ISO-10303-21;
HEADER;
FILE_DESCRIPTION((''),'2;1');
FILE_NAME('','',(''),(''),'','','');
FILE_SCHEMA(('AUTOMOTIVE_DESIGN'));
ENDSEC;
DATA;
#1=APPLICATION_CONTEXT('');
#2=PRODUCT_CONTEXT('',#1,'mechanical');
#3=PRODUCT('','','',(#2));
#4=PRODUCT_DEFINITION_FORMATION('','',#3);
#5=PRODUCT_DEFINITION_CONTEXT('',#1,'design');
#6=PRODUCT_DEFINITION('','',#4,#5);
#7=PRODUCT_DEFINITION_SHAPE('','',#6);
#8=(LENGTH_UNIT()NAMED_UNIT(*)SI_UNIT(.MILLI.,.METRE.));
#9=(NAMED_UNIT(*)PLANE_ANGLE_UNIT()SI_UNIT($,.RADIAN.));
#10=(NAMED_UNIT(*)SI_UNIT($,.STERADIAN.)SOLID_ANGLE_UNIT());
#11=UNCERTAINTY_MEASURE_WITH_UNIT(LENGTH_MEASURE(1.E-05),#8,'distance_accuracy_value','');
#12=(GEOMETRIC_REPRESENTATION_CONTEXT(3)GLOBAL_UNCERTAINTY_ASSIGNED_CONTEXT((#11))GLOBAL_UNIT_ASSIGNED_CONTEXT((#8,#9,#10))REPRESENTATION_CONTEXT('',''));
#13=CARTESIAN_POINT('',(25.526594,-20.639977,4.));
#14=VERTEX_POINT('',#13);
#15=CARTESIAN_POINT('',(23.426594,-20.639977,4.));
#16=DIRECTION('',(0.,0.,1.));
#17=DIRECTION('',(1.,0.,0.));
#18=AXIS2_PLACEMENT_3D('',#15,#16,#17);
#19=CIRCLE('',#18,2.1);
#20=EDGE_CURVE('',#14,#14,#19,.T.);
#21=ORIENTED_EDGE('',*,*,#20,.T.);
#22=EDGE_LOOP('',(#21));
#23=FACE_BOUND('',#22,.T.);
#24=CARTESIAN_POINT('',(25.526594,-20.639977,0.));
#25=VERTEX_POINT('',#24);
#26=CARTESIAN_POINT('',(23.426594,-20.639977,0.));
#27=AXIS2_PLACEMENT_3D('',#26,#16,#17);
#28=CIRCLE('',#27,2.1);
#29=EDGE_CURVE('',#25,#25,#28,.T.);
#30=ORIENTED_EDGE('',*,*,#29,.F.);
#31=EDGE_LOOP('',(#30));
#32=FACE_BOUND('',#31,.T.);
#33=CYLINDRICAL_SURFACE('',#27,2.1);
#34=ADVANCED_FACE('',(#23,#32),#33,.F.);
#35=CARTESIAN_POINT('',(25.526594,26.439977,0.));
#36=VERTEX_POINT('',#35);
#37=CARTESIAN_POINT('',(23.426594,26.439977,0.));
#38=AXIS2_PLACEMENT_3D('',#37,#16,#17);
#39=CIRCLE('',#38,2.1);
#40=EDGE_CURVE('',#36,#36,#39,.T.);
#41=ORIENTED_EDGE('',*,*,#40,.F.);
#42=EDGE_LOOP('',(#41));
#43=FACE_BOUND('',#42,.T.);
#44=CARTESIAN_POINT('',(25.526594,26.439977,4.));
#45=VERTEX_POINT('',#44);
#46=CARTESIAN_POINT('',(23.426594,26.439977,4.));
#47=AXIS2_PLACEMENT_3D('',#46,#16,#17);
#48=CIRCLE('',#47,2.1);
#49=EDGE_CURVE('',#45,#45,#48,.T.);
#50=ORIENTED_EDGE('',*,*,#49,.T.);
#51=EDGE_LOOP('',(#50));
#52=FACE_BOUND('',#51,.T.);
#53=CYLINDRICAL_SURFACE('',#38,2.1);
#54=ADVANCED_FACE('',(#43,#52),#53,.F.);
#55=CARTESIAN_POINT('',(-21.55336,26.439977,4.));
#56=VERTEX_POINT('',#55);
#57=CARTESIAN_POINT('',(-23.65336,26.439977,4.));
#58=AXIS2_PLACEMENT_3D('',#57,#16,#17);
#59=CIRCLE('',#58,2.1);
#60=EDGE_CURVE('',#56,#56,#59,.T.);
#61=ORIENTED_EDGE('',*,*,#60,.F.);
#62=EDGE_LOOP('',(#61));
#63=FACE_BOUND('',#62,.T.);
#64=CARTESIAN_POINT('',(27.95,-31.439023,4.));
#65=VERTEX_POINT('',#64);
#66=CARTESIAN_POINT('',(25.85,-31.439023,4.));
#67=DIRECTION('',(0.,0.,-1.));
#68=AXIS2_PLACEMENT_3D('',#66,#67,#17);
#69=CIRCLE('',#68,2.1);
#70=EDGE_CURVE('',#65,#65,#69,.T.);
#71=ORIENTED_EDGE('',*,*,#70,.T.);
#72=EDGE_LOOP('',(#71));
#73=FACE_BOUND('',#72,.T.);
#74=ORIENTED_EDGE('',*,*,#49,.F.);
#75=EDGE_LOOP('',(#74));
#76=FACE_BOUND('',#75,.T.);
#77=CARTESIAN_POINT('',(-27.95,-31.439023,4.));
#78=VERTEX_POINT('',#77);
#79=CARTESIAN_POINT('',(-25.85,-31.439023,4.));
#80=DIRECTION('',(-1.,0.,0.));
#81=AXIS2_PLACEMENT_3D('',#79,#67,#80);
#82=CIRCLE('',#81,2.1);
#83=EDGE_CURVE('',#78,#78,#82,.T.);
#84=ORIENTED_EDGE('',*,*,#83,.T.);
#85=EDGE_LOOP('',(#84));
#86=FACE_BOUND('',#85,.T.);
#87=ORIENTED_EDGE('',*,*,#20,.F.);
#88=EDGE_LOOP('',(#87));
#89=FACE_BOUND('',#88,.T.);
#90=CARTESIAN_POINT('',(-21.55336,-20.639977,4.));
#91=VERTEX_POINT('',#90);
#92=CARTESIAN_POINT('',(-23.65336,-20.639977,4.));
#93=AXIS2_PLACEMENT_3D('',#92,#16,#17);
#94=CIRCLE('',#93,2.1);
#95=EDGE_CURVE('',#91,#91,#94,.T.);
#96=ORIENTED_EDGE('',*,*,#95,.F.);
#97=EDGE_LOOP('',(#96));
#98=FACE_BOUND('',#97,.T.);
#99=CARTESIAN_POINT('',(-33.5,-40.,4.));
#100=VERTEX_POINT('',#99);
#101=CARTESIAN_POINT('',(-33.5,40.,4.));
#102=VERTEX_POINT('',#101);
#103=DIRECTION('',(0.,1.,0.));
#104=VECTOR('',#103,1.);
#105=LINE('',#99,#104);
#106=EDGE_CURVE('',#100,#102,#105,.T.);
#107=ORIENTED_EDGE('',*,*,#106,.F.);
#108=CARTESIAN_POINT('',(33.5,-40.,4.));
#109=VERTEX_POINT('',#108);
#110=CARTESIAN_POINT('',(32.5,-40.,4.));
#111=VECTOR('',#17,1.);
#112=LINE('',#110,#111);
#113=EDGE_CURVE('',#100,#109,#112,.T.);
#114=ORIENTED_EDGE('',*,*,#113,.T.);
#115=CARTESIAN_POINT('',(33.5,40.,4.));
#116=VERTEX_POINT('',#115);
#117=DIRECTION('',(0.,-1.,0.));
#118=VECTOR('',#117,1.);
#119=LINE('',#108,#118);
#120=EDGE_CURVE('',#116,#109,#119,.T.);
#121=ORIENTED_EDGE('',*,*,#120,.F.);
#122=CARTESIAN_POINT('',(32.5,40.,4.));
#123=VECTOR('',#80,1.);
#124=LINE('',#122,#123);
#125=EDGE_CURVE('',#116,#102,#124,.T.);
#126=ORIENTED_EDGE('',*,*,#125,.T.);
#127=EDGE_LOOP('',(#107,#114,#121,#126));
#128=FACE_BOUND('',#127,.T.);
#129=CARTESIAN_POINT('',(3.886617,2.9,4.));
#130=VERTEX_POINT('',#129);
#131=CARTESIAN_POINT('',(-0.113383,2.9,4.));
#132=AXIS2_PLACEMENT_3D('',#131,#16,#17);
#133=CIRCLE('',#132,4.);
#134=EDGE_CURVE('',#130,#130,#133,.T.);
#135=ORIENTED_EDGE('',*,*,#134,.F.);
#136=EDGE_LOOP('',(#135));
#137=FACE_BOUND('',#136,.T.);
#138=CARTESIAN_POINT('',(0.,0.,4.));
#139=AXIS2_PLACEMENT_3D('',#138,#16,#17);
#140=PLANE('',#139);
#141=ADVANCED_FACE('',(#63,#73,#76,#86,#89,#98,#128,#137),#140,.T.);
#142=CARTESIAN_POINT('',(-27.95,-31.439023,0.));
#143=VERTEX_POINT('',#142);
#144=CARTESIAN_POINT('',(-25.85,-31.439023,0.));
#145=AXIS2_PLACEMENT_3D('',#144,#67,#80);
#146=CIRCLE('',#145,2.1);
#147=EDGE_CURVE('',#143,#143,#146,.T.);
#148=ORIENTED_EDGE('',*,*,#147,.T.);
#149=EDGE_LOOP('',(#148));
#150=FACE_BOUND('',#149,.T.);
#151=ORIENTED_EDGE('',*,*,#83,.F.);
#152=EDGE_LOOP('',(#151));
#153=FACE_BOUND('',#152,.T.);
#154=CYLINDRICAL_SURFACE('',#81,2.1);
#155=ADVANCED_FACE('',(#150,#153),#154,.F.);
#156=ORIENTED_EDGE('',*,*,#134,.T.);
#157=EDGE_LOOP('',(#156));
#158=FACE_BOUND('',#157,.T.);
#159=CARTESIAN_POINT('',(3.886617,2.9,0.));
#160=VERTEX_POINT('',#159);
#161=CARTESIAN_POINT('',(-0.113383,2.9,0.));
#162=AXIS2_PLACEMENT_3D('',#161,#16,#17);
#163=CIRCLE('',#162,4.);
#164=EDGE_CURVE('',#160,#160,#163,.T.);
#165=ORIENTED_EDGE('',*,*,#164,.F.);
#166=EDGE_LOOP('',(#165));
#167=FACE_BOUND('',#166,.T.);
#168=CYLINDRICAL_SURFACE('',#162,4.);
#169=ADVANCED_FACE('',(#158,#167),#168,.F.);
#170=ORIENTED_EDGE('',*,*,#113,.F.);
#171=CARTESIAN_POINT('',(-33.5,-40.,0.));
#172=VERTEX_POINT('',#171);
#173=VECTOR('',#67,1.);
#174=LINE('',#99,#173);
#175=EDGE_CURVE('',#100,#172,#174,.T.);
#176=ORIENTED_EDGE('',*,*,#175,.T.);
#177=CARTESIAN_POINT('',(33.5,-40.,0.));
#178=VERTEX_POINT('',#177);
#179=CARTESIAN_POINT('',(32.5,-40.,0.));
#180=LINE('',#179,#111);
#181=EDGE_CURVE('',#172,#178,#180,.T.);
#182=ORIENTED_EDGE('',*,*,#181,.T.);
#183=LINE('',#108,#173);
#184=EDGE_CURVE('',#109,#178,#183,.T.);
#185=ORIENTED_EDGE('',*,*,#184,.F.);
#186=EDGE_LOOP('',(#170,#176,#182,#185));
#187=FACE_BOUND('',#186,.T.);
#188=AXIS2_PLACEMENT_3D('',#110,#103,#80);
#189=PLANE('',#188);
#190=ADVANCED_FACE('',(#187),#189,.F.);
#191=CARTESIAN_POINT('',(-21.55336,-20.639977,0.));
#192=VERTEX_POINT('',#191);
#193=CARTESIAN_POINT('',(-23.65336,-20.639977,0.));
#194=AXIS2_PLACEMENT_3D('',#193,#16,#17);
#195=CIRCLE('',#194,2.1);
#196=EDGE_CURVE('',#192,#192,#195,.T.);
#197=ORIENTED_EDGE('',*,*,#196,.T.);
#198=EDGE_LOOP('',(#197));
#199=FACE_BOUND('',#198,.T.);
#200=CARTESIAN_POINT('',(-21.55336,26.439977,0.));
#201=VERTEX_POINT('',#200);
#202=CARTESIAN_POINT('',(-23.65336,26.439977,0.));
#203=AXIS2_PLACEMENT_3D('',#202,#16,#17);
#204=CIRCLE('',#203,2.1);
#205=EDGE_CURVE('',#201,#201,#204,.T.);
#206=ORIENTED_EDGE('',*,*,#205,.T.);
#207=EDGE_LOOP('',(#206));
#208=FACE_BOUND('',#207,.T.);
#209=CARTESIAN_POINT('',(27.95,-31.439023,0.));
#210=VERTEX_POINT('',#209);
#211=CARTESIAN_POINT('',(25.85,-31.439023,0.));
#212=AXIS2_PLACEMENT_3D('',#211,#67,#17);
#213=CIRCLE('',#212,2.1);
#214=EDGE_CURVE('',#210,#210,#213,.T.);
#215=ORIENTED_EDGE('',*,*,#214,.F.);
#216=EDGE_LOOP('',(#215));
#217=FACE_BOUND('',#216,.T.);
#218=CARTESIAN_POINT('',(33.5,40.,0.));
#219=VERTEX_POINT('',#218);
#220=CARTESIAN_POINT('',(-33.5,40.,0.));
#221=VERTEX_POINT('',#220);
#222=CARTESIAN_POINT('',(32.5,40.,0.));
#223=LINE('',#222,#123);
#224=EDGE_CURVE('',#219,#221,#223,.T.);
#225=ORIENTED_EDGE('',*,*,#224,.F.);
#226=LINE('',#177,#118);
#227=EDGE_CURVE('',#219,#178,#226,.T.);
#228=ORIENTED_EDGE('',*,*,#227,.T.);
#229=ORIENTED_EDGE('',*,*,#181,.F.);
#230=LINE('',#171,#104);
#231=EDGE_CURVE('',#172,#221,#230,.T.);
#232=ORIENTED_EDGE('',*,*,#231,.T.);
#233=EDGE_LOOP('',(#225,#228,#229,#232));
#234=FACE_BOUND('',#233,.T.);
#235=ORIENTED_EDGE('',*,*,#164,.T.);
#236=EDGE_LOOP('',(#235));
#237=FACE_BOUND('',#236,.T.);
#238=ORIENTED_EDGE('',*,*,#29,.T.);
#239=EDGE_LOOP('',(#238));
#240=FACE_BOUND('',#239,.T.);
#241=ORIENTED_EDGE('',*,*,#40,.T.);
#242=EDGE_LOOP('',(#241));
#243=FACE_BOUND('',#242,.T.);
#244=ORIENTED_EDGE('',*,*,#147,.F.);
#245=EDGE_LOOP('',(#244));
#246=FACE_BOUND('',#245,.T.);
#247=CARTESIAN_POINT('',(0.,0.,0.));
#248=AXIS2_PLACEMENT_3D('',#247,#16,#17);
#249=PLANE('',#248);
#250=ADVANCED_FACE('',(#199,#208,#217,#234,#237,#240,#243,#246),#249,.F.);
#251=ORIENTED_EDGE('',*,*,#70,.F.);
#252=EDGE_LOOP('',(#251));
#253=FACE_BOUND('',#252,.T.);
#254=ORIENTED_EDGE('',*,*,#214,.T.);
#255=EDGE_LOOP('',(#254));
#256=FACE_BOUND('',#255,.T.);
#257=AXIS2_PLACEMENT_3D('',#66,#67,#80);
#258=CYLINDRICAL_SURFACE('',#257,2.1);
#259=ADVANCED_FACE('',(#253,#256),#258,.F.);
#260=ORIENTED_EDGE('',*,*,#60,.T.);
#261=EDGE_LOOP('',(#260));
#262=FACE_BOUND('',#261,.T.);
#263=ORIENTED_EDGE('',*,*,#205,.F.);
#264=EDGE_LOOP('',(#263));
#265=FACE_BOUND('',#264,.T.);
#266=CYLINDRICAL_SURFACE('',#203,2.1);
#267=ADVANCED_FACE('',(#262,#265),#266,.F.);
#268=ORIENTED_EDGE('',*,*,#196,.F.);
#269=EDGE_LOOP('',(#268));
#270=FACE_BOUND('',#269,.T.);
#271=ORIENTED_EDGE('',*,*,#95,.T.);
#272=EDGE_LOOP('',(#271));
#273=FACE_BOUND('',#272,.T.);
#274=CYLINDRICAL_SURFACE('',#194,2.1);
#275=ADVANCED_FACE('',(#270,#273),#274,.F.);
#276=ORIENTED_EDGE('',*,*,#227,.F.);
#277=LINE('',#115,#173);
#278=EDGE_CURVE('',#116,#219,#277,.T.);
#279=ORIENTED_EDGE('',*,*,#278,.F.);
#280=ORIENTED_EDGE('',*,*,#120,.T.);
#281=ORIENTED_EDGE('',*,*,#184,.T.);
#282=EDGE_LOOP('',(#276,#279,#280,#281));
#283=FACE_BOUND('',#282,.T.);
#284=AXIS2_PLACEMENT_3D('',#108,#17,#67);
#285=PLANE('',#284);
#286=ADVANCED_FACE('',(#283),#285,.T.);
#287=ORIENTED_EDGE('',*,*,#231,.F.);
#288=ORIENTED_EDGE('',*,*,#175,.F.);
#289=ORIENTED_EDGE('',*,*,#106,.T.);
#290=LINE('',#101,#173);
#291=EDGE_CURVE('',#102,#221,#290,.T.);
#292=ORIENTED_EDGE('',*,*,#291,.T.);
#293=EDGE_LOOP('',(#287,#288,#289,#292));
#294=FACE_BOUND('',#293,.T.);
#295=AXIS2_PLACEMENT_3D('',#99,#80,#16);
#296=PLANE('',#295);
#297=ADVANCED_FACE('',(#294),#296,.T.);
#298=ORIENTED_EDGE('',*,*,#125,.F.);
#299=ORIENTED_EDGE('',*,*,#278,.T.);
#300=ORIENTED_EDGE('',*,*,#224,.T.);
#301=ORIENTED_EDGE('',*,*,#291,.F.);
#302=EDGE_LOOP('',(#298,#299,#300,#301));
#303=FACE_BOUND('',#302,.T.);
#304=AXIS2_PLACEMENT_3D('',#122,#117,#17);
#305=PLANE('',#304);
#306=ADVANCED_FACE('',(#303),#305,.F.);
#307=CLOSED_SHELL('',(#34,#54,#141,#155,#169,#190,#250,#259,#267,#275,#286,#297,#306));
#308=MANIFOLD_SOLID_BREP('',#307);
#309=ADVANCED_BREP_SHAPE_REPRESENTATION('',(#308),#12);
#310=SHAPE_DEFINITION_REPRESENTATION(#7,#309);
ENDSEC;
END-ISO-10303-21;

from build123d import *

# Parameters (mm, degrees)
ESQUISSE1_W             = 65
ESQUISSE1_H             = 80
BOSS_EXTRU_1_DEPTH      = 4
ESQUISSE2_R             = 2.1
ENL_V_MAT_EXTRU_1_DEPTH = 52.693810074
ESQUISSE3_R             = 2.1
ESQUISSE3_R_2           = 4
ENL_V_MAT_EXTRU_2_DEPTH = 52.693810074
ESQUISSE4_W             = 1
ESQUISSE4_H             = 80
BOSS_EXTRU_2_DEPTH      = 4


with BuildPart() as part:
    # Esquisse1 → Boss.-Extru.1 (new body)
    with BuildSketch(Plane.XY):
        Rectangle(ESQUISSE1_W, ESQUISSE1_H)
    extrude(amount=BOSS_EXTRU_1_DEPTH)

    # Esquisse2 → Enlèv. mat.-Extru.1 (cut, through all)
    with BuildSketch(Plane(origin=(0, 0, 0), x_dir=(-1, 0, 0), z_dir=(0, 0, -1))):
        with Locations((25.85, -31.43902252)):
            Circle(ESQUISSE2_R)
        with Locations(Location((-25.85, -31.43902252, 0), (0, 0, 180))):
            Circle(ESQUISSE2_R)
    extrude(amount=-ENL_V_MAT_EXTRU_1_DEPTH, mode=Mode.SUBTRACT)

    # Esquisse3 → Enlèv. mat.-Extru.2 (cut, through all)
    with BuildSketch(Plane.XY.offset(4)):
        with Locations((-23.653359533, -20.639976695)):
            Circle(ESQUISSE3_R)
        with Locations((23.426593857, -20.639976695)):
            Circle(ESQUISSE3_R)
        with Locations((23.426593857, 26.439976695)):
            Circle(ESQUISSE3_R)
        with Locations((-23.653359533, 26.439976695)):
            Circle(ESQUISSE3_R)
        with Locations((-0.113382838, 2.9)):
            Circle(ESQUISSE3_R_2)
    extrude(amount=-ENL_V_MAT_EXTRU_2_DEPTH, mode=Mode.SUBTRACT)

    # Esquisse4 → Boss.-Extru.2 (add)
    with BuildSketch(Plane(origin=(0, 0, 0), x_dir=(-1, 0, 0), z_dir=(0, 0, -1))):
        with Locations((33, 0)):
            Rectangle(ESQUISSE4_W, ESQUISSE4_H)
        with Locations((-33, 0)):
            Rectangle(ESQUISSE4_W, ESQUISSE4_H)
    extrude(amount=-BOSS_EXTRU_2_DEPTH)


solid = part.part
